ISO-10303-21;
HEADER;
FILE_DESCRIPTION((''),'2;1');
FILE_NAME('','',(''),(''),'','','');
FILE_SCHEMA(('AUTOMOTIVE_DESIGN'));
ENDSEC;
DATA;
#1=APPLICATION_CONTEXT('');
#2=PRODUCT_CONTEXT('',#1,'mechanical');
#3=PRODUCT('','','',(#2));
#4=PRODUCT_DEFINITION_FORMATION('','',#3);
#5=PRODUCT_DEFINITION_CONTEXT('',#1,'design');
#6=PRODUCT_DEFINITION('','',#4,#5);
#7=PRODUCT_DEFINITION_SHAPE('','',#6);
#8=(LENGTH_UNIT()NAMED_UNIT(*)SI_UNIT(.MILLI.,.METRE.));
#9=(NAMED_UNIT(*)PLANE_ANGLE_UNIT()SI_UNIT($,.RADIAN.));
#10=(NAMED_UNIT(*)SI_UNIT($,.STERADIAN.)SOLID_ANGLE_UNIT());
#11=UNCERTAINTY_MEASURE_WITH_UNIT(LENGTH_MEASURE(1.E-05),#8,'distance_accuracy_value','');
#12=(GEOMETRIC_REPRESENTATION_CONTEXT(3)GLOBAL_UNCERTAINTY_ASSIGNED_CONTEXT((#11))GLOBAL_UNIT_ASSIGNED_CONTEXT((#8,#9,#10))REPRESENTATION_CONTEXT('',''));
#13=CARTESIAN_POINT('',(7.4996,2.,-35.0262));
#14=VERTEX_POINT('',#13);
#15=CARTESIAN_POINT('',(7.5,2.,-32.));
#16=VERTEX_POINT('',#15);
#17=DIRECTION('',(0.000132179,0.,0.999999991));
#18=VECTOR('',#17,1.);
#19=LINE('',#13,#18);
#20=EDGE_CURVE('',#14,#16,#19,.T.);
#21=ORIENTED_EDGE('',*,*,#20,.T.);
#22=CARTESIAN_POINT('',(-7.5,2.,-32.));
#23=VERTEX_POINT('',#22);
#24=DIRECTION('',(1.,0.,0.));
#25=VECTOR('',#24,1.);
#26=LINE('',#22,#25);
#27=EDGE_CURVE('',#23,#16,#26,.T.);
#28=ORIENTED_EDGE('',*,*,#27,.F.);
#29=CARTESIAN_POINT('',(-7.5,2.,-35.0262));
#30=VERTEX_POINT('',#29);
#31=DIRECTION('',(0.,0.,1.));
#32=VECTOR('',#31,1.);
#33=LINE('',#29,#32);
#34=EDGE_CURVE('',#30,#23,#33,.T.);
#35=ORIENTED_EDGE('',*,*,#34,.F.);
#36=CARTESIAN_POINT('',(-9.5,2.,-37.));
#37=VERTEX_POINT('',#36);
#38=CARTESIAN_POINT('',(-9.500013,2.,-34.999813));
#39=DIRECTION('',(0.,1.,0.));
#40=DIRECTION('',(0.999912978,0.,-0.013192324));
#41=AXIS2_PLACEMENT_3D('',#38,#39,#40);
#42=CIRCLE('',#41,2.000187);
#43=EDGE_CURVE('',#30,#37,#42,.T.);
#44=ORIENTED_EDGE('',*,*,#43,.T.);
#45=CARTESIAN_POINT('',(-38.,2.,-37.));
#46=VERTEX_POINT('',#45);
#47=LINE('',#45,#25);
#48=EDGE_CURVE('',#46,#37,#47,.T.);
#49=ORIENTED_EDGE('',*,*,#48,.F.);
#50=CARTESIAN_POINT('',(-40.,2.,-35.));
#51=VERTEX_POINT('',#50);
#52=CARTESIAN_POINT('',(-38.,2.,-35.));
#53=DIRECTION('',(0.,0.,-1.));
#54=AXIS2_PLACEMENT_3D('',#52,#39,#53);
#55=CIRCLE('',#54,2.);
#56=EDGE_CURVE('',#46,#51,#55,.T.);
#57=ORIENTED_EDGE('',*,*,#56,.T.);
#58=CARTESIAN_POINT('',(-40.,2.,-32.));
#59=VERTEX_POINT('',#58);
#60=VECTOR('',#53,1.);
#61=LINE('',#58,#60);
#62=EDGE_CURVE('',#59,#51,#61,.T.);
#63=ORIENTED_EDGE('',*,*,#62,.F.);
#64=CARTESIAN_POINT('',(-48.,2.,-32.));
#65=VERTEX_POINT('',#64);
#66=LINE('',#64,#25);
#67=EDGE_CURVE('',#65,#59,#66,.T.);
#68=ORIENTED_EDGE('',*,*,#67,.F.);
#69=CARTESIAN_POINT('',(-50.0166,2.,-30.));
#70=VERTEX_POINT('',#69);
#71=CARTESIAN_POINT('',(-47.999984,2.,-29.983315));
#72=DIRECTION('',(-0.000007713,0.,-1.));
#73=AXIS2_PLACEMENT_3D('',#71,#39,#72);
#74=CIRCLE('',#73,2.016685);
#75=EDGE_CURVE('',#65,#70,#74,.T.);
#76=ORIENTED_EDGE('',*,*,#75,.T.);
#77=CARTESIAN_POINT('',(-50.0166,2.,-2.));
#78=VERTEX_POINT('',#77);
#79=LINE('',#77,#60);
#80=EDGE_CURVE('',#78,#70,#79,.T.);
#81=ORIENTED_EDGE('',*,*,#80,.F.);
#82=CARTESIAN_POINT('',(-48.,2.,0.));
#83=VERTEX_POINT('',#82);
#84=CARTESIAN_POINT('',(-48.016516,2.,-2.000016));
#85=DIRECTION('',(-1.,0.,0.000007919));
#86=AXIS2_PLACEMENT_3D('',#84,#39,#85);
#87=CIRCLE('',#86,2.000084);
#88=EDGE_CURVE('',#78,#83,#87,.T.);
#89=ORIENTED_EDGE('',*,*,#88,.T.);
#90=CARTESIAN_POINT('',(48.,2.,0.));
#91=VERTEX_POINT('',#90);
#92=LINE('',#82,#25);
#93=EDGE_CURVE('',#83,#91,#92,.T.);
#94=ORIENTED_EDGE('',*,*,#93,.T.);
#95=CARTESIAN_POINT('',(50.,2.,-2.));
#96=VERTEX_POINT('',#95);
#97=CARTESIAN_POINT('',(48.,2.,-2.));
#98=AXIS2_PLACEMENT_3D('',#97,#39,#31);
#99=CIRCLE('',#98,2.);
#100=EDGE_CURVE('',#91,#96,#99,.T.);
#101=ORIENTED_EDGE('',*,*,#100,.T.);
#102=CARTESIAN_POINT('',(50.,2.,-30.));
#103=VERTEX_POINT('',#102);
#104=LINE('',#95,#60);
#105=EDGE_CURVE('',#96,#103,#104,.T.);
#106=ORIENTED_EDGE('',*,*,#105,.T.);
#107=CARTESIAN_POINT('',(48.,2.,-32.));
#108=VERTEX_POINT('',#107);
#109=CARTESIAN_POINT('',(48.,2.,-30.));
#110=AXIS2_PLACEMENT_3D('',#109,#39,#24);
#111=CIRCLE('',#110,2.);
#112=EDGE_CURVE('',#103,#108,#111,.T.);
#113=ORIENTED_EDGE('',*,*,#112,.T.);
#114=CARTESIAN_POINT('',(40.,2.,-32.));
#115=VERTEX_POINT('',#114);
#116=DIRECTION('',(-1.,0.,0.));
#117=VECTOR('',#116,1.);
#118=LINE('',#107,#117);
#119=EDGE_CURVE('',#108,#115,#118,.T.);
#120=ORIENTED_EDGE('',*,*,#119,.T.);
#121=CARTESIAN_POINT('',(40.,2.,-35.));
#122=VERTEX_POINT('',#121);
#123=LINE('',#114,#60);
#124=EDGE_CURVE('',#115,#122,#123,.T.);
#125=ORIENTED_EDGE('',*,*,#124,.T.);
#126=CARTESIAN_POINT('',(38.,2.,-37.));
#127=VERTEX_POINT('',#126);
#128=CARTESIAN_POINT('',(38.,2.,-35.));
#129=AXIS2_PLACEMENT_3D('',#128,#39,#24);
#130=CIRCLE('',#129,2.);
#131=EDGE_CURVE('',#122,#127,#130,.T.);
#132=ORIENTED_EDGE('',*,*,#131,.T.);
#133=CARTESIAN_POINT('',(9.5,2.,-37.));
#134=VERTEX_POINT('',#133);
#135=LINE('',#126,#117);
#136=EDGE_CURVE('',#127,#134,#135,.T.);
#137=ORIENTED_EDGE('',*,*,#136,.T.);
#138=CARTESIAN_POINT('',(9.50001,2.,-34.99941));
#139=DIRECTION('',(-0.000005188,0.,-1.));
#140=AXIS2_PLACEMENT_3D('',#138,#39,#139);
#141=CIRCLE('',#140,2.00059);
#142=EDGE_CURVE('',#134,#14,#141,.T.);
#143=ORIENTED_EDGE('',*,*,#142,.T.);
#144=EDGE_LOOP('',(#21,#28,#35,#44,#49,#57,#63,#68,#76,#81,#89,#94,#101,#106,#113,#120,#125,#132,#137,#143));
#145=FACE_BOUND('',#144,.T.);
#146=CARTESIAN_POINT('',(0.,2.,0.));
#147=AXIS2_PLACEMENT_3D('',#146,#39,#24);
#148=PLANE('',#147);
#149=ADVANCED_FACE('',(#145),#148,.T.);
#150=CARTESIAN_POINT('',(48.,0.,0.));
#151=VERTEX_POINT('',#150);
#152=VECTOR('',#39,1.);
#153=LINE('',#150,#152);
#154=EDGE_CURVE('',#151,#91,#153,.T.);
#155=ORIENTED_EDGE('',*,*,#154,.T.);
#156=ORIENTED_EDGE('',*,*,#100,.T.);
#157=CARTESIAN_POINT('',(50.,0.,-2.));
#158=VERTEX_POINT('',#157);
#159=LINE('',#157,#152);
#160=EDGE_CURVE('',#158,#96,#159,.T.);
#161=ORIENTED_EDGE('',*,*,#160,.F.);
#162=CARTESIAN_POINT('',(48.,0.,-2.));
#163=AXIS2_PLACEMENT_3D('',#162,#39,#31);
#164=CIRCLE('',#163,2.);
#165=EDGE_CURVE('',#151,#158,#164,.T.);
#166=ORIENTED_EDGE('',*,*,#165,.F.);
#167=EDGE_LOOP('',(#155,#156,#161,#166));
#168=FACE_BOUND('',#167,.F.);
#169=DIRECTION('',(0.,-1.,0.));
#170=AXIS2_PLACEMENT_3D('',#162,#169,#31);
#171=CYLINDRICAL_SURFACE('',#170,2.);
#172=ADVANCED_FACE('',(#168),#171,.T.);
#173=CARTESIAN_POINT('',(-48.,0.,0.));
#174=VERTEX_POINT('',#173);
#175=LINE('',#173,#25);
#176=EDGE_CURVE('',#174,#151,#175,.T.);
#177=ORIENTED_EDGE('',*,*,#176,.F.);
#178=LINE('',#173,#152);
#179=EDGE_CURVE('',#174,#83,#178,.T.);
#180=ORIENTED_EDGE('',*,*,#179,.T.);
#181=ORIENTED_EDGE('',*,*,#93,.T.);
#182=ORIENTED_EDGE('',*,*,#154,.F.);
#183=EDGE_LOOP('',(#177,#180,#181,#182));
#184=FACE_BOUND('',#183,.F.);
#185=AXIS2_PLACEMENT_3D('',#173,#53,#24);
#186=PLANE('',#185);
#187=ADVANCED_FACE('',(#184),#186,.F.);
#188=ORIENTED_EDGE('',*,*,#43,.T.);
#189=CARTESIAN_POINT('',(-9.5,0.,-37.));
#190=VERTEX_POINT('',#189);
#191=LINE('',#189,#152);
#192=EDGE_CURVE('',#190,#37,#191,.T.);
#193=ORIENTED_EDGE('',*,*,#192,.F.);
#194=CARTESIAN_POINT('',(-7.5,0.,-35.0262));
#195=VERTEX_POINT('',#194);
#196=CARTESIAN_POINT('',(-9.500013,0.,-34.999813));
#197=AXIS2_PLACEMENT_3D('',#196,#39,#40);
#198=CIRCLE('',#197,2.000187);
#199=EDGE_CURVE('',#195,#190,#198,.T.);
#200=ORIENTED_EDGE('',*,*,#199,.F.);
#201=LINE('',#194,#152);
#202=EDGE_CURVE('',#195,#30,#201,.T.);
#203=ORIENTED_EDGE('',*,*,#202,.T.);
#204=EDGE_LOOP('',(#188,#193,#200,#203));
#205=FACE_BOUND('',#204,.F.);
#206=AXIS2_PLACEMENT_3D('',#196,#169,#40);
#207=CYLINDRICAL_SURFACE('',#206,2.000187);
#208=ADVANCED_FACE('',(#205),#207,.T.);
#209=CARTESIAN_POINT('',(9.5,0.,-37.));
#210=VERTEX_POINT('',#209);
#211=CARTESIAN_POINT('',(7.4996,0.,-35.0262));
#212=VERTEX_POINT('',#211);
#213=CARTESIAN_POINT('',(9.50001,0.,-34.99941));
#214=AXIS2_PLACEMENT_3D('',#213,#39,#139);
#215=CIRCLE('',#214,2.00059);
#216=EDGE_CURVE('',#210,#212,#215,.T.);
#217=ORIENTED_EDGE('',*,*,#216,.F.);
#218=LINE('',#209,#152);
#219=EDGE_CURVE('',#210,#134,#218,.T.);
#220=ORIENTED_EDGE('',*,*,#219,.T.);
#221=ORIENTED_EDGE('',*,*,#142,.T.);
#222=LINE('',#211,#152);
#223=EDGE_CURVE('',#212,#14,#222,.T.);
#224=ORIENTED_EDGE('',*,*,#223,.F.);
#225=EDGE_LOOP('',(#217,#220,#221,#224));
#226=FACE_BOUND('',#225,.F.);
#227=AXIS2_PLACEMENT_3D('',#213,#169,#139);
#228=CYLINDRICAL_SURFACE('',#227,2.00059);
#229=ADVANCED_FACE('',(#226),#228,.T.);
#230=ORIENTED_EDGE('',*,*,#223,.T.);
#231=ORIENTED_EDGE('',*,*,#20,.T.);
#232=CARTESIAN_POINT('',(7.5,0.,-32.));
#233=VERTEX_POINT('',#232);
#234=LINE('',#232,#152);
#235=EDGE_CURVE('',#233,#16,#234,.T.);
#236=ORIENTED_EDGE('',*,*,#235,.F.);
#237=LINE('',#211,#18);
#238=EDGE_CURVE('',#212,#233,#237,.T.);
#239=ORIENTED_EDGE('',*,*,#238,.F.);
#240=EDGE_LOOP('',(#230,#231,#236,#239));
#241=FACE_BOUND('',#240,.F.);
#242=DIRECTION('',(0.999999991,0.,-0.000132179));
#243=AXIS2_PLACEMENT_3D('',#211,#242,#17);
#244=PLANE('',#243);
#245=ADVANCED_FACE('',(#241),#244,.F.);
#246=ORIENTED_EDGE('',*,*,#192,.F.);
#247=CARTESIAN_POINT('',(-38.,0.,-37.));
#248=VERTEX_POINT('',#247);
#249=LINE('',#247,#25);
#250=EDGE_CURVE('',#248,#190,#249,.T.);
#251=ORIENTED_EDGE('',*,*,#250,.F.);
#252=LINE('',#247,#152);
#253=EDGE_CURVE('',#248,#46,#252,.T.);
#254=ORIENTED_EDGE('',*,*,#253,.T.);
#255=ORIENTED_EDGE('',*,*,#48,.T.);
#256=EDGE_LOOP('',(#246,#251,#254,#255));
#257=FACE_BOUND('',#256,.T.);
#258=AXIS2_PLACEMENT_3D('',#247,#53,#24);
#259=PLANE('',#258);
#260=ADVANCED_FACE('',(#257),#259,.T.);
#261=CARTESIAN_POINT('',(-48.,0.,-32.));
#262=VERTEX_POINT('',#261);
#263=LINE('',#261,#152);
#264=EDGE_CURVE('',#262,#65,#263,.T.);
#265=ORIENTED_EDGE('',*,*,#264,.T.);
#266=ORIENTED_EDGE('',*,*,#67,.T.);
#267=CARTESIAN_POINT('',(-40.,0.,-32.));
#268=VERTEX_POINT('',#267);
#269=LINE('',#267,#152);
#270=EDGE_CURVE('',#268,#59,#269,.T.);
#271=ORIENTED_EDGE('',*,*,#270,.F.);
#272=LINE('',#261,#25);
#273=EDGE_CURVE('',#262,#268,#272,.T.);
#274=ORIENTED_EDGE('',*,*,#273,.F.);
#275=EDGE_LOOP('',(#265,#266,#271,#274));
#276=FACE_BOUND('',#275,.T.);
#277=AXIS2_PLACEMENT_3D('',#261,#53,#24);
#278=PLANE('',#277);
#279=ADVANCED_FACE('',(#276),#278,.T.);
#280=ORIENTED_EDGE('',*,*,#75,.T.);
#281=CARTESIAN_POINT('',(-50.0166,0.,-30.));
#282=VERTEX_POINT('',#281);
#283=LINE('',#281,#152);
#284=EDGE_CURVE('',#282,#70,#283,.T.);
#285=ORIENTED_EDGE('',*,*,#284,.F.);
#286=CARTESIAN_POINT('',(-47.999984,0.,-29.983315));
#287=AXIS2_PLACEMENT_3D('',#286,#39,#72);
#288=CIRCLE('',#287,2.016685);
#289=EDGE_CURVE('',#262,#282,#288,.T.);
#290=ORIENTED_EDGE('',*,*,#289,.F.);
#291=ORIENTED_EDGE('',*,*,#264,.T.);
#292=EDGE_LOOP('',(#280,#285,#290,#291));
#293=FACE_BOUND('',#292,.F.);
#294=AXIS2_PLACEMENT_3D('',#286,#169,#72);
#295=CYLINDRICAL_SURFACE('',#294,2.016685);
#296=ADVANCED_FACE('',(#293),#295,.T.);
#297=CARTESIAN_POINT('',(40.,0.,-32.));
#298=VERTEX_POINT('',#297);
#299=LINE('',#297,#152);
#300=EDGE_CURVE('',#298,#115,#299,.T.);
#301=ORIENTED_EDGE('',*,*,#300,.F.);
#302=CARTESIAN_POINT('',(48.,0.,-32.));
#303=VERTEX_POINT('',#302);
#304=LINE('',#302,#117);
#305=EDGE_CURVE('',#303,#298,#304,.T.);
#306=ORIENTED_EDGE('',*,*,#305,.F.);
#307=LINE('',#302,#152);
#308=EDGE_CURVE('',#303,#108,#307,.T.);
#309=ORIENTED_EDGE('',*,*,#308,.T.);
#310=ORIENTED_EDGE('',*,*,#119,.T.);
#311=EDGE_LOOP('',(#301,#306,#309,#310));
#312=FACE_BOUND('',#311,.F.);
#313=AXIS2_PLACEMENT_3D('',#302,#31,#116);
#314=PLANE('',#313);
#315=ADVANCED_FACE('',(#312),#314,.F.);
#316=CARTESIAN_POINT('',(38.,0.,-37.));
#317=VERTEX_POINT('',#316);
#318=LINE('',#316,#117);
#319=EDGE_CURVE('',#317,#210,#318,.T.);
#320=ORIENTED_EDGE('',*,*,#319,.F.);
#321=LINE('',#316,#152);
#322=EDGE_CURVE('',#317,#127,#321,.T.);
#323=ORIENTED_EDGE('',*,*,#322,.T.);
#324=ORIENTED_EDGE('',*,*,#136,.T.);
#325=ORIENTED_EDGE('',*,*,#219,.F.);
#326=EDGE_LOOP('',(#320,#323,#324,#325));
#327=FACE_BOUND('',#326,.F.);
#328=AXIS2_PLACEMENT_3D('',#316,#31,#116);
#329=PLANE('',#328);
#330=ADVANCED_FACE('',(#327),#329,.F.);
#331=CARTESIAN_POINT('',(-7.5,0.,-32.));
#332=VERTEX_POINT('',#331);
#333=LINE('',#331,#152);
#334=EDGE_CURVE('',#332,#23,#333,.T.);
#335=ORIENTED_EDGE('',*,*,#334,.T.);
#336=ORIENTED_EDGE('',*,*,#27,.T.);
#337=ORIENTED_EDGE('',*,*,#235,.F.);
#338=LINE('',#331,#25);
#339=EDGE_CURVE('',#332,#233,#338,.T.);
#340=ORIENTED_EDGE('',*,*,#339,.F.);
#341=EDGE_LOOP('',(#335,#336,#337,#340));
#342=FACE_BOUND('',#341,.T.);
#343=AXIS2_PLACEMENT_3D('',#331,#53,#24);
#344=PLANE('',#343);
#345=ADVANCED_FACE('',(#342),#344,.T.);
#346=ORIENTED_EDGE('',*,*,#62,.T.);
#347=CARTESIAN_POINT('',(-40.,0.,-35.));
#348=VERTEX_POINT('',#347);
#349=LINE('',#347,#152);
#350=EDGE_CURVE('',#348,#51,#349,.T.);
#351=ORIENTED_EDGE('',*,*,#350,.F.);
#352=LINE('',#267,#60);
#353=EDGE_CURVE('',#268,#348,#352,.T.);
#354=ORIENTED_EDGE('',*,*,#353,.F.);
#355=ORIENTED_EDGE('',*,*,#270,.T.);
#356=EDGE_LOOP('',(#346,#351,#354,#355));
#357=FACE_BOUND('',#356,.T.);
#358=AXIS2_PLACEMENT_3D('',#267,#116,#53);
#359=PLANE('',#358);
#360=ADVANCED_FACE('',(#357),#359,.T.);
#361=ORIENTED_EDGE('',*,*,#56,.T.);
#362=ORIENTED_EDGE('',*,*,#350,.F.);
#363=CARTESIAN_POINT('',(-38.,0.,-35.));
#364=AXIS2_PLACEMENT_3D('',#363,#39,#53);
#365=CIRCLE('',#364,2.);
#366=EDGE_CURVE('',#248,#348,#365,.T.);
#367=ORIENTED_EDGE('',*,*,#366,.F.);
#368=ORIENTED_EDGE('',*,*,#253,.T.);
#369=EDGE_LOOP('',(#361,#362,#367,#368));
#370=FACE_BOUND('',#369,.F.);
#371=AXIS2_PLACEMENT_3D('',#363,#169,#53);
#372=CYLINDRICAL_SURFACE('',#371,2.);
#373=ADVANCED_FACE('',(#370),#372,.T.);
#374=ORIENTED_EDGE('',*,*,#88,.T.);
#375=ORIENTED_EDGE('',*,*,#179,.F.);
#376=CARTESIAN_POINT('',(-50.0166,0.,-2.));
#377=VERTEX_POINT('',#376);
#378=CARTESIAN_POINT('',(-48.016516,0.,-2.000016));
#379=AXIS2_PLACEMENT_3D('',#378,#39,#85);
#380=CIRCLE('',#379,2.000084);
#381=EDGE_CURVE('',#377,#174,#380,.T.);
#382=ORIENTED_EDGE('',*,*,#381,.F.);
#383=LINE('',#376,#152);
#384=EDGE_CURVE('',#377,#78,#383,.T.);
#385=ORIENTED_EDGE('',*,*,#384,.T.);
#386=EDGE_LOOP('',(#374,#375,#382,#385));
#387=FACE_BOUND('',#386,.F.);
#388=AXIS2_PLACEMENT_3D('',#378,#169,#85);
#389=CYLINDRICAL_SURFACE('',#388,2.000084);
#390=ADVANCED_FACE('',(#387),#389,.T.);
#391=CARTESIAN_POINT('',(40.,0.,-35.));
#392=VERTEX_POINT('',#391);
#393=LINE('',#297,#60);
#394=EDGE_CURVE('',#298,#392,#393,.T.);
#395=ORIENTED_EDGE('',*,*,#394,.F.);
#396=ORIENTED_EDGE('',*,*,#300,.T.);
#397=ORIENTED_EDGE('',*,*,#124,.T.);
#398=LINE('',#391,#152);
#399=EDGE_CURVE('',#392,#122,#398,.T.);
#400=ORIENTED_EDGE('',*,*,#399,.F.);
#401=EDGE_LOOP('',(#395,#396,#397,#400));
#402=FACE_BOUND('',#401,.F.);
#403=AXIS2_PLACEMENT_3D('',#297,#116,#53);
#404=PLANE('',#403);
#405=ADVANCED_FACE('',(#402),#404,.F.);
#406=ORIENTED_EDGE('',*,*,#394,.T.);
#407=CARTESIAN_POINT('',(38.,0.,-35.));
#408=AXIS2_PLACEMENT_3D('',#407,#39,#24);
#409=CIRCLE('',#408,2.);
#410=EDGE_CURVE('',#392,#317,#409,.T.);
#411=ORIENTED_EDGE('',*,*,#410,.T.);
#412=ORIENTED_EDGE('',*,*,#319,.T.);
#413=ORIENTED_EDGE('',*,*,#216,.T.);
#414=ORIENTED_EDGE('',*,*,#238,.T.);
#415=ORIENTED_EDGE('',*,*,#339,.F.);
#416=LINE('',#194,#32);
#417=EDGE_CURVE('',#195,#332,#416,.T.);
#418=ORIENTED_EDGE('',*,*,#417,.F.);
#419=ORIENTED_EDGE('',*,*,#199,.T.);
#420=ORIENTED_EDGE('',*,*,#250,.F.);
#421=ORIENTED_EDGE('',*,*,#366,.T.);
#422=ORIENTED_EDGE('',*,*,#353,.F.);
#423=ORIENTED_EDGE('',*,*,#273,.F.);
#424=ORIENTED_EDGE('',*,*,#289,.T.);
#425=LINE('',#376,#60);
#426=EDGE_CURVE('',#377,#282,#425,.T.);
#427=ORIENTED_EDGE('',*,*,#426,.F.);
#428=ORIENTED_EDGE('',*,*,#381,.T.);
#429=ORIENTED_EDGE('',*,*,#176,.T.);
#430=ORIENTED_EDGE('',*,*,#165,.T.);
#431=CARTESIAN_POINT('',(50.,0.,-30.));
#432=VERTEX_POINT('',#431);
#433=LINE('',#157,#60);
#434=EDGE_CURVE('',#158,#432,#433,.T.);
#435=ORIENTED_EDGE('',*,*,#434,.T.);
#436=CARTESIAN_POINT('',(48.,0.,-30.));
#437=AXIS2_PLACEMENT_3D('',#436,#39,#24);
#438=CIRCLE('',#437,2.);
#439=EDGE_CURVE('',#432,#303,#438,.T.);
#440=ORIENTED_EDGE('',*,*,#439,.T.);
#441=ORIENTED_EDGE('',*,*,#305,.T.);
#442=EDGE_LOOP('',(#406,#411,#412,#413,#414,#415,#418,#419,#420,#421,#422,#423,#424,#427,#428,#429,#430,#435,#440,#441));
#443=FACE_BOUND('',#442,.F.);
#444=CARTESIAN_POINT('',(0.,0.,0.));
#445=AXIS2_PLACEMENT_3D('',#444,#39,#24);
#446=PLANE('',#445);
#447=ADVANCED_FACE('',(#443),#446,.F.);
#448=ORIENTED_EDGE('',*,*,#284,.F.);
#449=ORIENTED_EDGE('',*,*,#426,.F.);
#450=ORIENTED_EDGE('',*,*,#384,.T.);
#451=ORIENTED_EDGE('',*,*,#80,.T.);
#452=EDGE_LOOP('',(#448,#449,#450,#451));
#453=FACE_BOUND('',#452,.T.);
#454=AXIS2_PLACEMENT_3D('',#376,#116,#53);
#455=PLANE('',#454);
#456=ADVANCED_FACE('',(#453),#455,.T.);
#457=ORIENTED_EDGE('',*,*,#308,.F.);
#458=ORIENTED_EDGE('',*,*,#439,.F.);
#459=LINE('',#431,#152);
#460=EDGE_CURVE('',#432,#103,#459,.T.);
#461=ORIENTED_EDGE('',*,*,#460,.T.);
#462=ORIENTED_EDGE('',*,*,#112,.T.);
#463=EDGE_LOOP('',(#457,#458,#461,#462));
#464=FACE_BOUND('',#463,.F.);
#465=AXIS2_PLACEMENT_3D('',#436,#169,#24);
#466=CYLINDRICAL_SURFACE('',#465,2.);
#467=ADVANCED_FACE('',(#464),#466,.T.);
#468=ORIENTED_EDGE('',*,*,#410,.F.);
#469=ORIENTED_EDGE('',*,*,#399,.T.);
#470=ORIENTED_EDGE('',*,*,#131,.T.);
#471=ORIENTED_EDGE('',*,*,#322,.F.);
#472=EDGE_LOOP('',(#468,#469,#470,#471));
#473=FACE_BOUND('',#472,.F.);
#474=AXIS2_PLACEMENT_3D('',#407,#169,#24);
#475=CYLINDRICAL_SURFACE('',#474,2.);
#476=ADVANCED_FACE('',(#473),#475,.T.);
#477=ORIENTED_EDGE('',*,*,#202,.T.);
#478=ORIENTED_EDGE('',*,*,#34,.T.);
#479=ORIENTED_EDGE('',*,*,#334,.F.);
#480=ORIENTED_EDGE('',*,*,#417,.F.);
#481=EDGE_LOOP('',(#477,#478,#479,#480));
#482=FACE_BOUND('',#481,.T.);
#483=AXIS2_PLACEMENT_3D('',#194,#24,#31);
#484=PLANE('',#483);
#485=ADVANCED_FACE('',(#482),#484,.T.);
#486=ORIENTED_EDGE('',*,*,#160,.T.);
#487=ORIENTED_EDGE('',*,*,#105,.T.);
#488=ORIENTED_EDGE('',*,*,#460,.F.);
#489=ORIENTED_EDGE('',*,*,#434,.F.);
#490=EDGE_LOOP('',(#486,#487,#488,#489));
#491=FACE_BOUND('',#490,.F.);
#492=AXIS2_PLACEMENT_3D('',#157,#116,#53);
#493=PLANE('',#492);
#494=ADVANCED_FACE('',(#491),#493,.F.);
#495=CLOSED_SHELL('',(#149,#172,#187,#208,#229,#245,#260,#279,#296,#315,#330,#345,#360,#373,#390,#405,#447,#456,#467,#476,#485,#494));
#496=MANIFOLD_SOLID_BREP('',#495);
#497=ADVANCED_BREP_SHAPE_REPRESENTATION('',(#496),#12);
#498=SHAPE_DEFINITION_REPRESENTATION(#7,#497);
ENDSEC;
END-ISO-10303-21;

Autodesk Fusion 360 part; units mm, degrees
sketch "スケッチ1" plane through (0, 0, 0) normal (0, 1, 0) x (1, 0, 0)
  line L0 (-48, 0) -> (48, 0)
  line L1 (-50.0166, 2) -> (-50.0166, 30)
  line L2 (-48, 32) -> (-40, 32)
  line L3 (-40, 32) -> (-40, 35)
  line L4 (-38, 37) -> (-9.5, 37)
  line L5 (50, 2) -> (50, 30)
  line L6 (48, 32) -> (40, 32)
  line L7 (40, 32) -> (40, 35)
  line L8 (38, 37) -> (9.5, 37)
  line L9 (-7.5, 32) -> (7.5, 32)
  arc A0 (-38, 37) -> (-40, 35) centre (-38, 35) ccw
  line L10 (-7.5, 35.0262) -> (-7.5, 32)
  line L11 (7.4996, 35.0262) -> (7.5, 32)
  arc A1 (-48, 32) -> (-50.0166, 30) centre (-48, 29.9833) ccw
  arc A2 (-7.5, 35.0262) -> (-9.5, 37) centre (-9.5, 34.9998) ccw
  arc A3 (9.5, 37) -> (7.4996, 35.0262) centre (9.5, 34.9994) ccw
  arc A4 (40, 35) -> (38, 37) centre (38, 35) ccw
  arc A5 (50, 30) -> (48, 32) centre (48, 30) ccw
  arc A6 (48, 0) -> (50, 2) centre (48, 2) ccw
  arc A7 (-50.0166, 2) -> (-48, 0) centre (-48.0165, 2) ccw
  dimension "d1" = 96
  dimension "d2" = 28
  dimension "d3" = 8
  dimension "d4" = 28.5
  dimension "d5" = 28
  dimension "d6" = 8
  dimension "d7" = 28.5
extrude "押し出し1" add sketch "スケッチ1" along normal blind 2
